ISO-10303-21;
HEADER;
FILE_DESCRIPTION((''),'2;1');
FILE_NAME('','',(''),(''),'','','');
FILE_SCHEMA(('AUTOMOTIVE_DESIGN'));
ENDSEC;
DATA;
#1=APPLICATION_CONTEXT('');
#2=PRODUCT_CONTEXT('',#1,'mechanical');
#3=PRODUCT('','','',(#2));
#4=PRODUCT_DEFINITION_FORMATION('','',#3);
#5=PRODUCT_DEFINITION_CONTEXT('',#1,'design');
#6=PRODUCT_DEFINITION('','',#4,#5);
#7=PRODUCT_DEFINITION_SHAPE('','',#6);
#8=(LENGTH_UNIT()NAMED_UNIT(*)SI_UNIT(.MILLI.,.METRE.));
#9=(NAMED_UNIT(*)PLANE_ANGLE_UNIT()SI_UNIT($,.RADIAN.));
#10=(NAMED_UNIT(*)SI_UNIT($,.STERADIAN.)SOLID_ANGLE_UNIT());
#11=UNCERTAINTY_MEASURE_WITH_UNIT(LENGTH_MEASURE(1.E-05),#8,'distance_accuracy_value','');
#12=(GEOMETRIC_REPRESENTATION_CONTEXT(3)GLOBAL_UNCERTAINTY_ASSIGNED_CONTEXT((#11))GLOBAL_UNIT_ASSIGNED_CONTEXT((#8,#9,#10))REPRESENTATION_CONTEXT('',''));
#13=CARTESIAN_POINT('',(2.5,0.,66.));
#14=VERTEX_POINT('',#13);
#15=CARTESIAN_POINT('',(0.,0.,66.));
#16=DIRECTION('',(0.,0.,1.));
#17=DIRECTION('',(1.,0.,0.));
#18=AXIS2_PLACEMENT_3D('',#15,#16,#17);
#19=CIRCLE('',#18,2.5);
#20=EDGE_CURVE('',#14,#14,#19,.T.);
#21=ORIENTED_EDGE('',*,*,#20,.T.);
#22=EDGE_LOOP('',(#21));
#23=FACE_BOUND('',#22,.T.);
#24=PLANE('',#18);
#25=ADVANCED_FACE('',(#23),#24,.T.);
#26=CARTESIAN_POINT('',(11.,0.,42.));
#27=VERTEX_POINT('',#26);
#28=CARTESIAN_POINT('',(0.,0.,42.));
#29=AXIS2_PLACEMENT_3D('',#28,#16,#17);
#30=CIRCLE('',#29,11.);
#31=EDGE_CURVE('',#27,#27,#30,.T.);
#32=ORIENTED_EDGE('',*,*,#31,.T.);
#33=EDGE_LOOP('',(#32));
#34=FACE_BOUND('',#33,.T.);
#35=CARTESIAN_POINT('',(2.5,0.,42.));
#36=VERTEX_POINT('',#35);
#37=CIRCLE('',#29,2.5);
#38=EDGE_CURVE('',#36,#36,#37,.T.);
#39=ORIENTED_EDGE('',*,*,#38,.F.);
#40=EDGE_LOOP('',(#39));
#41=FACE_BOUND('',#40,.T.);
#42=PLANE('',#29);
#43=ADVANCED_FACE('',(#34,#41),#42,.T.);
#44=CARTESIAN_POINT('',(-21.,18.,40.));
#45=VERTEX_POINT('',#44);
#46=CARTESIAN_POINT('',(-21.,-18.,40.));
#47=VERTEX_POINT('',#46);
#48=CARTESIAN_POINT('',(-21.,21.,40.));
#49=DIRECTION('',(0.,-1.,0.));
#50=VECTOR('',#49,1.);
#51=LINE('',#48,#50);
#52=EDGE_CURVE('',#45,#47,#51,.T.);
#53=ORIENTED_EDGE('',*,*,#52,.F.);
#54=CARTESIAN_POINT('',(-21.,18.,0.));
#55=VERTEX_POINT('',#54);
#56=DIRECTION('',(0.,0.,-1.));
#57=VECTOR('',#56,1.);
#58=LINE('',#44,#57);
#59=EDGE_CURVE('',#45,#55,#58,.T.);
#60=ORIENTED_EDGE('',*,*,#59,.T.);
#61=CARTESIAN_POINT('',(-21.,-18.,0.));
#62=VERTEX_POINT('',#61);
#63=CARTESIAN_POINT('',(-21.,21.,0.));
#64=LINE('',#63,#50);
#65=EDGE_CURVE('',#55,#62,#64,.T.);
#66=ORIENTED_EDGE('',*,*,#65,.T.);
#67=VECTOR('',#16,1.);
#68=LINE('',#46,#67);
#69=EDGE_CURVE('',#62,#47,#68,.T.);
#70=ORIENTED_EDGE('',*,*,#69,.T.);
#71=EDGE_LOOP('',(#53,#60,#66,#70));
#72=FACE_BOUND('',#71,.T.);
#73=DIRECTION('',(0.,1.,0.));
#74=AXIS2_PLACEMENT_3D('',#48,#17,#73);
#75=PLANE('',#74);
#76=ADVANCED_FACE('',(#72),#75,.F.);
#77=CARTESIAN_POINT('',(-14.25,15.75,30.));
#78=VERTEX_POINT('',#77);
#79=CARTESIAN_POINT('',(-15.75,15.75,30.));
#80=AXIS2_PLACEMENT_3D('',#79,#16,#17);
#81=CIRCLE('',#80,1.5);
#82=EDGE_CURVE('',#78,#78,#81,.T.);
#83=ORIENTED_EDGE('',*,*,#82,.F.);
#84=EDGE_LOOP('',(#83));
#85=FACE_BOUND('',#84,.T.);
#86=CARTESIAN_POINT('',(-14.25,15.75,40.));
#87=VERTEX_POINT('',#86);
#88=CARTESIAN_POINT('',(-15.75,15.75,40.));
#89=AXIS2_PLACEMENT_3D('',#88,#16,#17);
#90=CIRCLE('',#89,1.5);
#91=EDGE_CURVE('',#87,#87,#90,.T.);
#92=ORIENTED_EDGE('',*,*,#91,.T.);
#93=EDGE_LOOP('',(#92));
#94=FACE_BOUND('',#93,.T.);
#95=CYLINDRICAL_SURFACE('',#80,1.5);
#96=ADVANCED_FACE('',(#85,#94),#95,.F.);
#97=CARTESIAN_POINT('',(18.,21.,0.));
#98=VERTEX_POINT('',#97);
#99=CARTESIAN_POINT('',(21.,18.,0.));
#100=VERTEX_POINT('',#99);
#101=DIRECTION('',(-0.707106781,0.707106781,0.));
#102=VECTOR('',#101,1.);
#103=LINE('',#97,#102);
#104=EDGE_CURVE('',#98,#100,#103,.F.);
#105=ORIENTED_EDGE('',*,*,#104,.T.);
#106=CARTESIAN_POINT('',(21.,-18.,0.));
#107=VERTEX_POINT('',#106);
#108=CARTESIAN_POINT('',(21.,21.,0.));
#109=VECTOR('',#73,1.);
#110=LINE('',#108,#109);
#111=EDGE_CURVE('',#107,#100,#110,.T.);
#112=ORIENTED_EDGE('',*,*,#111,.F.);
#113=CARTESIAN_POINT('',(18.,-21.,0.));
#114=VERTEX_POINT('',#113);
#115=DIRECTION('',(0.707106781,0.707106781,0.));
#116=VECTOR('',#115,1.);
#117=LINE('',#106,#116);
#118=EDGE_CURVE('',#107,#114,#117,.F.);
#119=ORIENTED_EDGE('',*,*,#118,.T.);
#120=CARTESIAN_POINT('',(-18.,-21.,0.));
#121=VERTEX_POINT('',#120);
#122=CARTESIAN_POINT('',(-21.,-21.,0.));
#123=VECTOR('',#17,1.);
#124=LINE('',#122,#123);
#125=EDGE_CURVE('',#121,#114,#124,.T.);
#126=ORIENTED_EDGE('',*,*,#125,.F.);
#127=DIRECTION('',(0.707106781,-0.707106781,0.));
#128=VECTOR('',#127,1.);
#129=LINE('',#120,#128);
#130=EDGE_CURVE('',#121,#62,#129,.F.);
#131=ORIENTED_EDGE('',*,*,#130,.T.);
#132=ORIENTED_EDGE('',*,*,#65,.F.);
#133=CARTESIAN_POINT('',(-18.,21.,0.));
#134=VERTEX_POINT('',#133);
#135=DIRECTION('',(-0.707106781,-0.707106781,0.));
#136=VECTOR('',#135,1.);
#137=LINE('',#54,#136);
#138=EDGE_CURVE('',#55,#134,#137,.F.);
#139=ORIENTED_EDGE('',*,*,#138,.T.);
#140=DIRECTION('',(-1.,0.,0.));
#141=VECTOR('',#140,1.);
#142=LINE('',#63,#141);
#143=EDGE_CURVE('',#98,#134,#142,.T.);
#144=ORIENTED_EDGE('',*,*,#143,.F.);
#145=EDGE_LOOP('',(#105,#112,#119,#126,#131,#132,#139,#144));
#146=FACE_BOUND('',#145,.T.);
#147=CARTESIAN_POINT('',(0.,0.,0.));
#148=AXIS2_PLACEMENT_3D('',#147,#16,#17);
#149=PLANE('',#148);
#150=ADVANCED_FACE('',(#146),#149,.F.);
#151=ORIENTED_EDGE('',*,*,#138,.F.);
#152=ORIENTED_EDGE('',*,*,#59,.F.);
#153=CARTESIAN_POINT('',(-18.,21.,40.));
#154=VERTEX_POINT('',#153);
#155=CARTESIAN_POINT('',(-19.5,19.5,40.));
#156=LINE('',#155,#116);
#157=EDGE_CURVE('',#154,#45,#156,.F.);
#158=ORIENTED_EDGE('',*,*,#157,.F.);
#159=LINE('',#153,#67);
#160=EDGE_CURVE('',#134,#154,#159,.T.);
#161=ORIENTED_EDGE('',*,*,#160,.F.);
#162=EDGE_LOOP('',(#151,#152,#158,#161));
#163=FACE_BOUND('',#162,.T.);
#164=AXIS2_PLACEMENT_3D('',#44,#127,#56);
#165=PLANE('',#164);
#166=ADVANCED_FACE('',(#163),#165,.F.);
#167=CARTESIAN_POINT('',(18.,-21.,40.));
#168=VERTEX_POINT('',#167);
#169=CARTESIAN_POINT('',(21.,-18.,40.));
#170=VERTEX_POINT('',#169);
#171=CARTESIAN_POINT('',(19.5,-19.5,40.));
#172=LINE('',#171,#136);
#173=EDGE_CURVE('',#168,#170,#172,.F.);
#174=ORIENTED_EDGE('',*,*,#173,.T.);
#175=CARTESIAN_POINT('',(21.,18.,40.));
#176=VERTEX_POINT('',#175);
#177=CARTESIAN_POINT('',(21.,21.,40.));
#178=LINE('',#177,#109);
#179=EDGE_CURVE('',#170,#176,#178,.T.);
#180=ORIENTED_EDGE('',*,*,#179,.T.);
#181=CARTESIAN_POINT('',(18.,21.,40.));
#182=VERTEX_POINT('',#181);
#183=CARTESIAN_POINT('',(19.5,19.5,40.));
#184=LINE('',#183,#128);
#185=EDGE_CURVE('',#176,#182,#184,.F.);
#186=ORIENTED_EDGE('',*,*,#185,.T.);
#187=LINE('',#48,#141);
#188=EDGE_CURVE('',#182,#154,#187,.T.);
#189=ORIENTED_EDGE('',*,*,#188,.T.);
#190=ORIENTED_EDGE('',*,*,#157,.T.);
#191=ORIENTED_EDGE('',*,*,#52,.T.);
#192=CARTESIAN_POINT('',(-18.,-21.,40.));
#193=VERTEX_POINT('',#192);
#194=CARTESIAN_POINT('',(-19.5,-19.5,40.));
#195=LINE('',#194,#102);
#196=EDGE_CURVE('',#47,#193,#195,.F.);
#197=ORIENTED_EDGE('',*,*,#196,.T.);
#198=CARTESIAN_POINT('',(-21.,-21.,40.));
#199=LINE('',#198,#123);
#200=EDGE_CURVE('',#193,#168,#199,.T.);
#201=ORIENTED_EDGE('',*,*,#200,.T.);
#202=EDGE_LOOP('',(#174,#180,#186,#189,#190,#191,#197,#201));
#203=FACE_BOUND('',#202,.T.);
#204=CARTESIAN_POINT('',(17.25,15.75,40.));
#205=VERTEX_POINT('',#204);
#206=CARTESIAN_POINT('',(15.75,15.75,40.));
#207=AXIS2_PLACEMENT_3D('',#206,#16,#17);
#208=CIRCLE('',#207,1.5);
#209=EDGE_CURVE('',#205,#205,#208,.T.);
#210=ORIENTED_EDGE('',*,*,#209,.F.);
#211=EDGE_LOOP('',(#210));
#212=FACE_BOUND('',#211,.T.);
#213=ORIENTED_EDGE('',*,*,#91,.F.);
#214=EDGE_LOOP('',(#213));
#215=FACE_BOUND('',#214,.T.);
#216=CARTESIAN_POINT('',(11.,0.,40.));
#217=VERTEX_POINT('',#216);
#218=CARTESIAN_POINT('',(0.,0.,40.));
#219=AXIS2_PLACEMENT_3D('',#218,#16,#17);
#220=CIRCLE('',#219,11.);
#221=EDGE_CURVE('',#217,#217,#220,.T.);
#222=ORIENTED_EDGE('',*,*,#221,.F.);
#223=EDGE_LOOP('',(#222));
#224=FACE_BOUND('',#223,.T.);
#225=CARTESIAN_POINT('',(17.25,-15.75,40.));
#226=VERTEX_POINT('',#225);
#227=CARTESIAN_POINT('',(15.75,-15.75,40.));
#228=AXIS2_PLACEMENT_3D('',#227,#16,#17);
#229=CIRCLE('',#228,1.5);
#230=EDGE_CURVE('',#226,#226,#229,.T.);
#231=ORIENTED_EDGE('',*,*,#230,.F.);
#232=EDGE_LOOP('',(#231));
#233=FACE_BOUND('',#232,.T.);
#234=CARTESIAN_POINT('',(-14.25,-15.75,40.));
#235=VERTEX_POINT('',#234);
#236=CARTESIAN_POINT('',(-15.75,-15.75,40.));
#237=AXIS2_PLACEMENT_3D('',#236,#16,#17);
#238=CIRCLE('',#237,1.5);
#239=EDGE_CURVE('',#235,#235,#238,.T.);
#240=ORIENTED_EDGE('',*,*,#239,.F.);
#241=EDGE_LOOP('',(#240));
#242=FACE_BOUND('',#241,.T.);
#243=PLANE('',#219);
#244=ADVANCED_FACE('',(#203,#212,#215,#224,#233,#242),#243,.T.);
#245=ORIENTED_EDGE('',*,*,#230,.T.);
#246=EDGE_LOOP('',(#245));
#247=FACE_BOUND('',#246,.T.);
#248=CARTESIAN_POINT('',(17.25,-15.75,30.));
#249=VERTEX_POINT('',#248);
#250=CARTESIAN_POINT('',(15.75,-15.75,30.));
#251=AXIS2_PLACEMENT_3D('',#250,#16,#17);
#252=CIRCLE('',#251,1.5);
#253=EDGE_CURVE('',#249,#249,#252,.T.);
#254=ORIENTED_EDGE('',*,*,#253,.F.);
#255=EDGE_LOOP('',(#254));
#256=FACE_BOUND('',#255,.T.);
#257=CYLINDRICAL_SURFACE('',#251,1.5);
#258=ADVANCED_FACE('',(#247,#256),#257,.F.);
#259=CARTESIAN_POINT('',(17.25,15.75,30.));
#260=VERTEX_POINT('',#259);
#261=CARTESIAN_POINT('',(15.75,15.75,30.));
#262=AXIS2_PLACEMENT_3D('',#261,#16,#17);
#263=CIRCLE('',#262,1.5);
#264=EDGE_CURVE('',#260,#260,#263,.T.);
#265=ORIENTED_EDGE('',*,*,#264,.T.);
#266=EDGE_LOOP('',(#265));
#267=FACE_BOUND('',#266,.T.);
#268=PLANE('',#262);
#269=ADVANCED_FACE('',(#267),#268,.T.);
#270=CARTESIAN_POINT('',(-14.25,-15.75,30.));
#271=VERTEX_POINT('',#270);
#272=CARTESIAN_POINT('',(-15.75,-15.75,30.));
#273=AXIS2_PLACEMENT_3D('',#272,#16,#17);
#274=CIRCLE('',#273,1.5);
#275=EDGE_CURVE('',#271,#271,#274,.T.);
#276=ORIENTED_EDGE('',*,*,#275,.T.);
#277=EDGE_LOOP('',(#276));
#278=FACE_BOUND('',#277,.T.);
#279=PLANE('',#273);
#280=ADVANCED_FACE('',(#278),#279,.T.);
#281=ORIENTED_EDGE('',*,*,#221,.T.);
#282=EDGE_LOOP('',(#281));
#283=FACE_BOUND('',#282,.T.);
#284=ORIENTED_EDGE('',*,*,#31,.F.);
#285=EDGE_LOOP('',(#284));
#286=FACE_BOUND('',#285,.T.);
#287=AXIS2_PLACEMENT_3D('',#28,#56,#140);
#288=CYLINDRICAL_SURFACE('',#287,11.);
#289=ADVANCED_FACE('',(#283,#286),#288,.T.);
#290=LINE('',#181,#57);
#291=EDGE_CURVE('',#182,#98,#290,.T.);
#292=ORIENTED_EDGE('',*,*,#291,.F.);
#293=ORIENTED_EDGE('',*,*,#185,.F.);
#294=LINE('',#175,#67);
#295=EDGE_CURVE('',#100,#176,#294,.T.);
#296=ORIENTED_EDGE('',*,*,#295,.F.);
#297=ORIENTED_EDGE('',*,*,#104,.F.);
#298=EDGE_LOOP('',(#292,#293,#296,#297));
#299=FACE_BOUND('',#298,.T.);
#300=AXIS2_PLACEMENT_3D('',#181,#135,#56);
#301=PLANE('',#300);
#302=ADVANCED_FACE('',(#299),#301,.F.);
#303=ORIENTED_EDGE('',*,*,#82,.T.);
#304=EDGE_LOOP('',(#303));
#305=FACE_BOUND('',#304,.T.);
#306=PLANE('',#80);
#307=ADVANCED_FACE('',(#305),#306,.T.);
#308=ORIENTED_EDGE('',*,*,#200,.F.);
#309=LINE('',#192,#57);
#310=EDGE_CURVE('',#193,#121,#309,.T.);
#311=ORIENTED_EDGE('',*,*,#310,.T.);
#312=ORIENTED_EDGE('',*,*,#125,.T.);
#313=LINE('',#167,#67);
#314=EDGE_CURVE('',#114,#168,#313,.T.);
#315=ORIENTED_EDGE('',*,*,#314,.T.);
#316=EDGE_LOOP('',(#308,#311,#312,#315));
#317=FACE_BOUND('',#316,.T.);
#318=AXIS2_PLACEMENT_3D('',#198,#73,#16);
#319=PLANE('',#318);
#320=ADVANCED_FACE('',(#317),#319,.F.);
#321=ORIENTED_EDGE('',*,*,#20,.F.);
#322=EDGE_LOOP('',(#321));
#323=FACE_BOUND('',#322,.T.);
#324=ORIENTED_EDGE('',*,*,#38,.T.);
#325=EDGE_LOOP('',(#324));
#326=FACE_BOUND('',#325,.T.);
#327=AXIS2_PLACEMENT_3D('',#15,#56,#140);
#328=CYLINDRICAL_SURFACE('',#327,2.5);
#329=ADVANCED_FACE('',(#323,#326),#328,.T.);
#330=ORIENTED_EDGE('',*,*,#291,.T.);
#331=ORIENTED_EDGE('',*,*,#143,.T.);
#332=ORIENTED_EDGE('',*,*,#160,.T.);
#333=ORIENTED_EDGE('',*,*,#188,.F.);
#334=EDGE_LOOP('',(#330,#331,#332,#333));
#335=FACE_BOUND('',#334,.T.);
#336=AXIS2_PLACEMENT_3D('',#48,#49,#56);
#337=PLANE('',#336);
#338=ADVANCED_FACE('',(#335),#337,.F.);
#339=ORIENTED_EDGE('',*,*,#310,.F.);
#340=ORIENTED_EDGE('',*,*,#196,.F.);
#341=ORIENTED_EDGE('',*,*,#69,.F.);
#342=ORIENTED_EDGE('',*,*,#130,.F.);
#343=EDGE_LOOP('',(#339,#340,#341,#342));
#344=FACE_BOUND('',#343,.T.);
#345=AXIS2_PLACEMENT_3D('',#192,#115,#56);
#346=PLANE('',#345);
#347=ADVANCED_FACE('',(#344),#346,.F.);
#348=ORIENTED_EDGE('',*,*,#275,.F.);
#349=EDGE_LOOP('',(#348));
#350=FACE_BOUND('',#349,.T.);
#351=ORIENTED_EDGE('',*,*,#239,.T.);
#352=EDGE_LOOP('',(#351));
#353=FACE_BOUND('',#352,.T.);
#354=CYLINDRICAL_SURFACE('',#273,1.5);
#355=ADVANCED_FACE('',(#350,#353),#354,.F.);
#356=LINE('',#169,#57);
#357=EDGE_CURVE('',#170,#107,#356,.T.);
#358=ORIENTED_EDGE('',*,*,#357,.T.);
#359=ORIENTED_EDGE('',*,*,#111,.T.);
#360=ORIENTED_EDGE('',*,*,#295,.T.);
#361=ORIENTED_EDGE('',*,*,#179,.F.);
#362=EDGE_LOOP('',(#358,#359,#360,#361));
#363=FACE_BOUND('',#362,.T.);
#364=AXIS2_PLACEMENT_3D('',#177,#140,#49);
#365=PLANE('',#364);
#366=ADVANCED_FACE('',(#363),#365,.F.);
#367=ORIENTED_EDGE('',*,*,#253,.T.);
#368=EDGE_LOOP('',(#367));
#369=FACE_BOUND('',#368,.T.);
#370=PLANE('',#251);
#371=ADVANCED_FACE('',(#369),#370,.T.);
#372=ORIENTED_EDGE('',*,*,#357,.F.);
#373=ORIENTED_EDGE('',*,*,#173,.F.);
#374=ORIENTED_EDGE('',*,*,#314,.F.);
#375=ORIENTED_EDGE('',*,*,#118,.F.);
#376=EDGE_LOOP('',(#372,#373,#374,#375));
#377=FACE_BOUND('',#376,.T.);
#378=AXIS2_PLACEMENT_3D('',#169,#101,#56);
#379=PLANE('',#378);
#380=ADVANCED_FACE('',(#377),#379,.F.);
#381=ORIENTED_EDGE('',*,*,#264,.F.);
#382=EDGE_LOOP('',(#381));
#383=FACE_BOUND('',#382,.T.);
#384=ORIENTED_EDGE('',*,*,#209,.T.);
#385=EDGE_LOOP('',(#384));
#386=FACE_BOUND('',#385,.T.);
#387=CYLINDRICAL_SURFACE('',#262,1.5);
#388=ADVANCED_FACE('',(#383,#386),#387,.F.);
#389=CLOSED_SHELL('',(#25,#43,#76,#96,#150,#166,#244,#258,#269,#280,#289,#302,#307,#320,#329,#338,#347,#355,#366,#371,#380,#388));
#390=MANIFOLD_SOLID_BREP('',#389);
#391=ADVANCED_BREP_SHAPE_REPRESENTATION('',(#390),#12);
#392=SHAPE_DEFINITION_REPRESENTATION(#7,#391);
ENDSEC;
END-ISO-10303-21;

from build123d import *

# Parameters (mm, degrees)
SKETCH1_W           = 42
SKETCH1_H           = 42
BOSS_EXTRUDE1_DEPTH = 40
SKETCH2_R           = 11
BOSS_EXTRUDE2_DEPTH = 2
SKETCH3_R           = 2.5
BOSS_EXTRUDE3_DEPTH = 24
CHAMFER1_SIZE       = 3
SKETCH4_R           = 1.5
CUT_EXTRUDE1_DEPTH  = 10


with BuildPart() as part:
    # Sketch1 → Boss-Extrude1 (new body)
    with BuildSketch(Plane.XY):
        Rectangle(SKETCH1_W, SKETCH1_H)
    extrude(amount=BOSS_EXTRUDE1_DEPTH)

    # Sketch2 → Boss-Extrude2 (add)
    with BuildSketch(Plane.XY.offset(40)):
        Circle(SKETCH2_R)
    extrude(amount=BOSS_EXTRUDE2_DEPTH)

    # Sketch3 → Boss-Extrude3 (add)
    with BuildSketch(Plane.XY.offset(42)):
        Circle(SKETCH3_R)
    extrude(amount=BOSS_EXTRUDE3_DEPTH)

    # Chamfer1
    chamfer1_edges = [part.edges().sort_by_distance(p)[0] for p in [
        (21, -21, 20),
        (-21, -21, 20),
        (-21, 21, 20),
        (21, 21, 20),
    ]]
    chamfer(chamfer1_edges, length=CHAMFER1_SIZE)

    # Sketch4 → Cut-Extrude1 (cut)
    with BuildSketch(Plane.XY.offset(40)):
        with Locations((-15.75, 15.75)):
            Circle(SKETCH4_R)
        with Locations((15.75, 15.75)):
            Circle(SKETCH4_R)
        with Locations((-15.75, -15.75)):
            Circle(SKETCH4_R)
        with Locations((15.75, -15.75)):
            Circle(SKETCH4_R)
    extrude(amount=-CUT_EXTRUDE1_DEPTH, mode=Mode.SUBTRACT)


solid = part.part
